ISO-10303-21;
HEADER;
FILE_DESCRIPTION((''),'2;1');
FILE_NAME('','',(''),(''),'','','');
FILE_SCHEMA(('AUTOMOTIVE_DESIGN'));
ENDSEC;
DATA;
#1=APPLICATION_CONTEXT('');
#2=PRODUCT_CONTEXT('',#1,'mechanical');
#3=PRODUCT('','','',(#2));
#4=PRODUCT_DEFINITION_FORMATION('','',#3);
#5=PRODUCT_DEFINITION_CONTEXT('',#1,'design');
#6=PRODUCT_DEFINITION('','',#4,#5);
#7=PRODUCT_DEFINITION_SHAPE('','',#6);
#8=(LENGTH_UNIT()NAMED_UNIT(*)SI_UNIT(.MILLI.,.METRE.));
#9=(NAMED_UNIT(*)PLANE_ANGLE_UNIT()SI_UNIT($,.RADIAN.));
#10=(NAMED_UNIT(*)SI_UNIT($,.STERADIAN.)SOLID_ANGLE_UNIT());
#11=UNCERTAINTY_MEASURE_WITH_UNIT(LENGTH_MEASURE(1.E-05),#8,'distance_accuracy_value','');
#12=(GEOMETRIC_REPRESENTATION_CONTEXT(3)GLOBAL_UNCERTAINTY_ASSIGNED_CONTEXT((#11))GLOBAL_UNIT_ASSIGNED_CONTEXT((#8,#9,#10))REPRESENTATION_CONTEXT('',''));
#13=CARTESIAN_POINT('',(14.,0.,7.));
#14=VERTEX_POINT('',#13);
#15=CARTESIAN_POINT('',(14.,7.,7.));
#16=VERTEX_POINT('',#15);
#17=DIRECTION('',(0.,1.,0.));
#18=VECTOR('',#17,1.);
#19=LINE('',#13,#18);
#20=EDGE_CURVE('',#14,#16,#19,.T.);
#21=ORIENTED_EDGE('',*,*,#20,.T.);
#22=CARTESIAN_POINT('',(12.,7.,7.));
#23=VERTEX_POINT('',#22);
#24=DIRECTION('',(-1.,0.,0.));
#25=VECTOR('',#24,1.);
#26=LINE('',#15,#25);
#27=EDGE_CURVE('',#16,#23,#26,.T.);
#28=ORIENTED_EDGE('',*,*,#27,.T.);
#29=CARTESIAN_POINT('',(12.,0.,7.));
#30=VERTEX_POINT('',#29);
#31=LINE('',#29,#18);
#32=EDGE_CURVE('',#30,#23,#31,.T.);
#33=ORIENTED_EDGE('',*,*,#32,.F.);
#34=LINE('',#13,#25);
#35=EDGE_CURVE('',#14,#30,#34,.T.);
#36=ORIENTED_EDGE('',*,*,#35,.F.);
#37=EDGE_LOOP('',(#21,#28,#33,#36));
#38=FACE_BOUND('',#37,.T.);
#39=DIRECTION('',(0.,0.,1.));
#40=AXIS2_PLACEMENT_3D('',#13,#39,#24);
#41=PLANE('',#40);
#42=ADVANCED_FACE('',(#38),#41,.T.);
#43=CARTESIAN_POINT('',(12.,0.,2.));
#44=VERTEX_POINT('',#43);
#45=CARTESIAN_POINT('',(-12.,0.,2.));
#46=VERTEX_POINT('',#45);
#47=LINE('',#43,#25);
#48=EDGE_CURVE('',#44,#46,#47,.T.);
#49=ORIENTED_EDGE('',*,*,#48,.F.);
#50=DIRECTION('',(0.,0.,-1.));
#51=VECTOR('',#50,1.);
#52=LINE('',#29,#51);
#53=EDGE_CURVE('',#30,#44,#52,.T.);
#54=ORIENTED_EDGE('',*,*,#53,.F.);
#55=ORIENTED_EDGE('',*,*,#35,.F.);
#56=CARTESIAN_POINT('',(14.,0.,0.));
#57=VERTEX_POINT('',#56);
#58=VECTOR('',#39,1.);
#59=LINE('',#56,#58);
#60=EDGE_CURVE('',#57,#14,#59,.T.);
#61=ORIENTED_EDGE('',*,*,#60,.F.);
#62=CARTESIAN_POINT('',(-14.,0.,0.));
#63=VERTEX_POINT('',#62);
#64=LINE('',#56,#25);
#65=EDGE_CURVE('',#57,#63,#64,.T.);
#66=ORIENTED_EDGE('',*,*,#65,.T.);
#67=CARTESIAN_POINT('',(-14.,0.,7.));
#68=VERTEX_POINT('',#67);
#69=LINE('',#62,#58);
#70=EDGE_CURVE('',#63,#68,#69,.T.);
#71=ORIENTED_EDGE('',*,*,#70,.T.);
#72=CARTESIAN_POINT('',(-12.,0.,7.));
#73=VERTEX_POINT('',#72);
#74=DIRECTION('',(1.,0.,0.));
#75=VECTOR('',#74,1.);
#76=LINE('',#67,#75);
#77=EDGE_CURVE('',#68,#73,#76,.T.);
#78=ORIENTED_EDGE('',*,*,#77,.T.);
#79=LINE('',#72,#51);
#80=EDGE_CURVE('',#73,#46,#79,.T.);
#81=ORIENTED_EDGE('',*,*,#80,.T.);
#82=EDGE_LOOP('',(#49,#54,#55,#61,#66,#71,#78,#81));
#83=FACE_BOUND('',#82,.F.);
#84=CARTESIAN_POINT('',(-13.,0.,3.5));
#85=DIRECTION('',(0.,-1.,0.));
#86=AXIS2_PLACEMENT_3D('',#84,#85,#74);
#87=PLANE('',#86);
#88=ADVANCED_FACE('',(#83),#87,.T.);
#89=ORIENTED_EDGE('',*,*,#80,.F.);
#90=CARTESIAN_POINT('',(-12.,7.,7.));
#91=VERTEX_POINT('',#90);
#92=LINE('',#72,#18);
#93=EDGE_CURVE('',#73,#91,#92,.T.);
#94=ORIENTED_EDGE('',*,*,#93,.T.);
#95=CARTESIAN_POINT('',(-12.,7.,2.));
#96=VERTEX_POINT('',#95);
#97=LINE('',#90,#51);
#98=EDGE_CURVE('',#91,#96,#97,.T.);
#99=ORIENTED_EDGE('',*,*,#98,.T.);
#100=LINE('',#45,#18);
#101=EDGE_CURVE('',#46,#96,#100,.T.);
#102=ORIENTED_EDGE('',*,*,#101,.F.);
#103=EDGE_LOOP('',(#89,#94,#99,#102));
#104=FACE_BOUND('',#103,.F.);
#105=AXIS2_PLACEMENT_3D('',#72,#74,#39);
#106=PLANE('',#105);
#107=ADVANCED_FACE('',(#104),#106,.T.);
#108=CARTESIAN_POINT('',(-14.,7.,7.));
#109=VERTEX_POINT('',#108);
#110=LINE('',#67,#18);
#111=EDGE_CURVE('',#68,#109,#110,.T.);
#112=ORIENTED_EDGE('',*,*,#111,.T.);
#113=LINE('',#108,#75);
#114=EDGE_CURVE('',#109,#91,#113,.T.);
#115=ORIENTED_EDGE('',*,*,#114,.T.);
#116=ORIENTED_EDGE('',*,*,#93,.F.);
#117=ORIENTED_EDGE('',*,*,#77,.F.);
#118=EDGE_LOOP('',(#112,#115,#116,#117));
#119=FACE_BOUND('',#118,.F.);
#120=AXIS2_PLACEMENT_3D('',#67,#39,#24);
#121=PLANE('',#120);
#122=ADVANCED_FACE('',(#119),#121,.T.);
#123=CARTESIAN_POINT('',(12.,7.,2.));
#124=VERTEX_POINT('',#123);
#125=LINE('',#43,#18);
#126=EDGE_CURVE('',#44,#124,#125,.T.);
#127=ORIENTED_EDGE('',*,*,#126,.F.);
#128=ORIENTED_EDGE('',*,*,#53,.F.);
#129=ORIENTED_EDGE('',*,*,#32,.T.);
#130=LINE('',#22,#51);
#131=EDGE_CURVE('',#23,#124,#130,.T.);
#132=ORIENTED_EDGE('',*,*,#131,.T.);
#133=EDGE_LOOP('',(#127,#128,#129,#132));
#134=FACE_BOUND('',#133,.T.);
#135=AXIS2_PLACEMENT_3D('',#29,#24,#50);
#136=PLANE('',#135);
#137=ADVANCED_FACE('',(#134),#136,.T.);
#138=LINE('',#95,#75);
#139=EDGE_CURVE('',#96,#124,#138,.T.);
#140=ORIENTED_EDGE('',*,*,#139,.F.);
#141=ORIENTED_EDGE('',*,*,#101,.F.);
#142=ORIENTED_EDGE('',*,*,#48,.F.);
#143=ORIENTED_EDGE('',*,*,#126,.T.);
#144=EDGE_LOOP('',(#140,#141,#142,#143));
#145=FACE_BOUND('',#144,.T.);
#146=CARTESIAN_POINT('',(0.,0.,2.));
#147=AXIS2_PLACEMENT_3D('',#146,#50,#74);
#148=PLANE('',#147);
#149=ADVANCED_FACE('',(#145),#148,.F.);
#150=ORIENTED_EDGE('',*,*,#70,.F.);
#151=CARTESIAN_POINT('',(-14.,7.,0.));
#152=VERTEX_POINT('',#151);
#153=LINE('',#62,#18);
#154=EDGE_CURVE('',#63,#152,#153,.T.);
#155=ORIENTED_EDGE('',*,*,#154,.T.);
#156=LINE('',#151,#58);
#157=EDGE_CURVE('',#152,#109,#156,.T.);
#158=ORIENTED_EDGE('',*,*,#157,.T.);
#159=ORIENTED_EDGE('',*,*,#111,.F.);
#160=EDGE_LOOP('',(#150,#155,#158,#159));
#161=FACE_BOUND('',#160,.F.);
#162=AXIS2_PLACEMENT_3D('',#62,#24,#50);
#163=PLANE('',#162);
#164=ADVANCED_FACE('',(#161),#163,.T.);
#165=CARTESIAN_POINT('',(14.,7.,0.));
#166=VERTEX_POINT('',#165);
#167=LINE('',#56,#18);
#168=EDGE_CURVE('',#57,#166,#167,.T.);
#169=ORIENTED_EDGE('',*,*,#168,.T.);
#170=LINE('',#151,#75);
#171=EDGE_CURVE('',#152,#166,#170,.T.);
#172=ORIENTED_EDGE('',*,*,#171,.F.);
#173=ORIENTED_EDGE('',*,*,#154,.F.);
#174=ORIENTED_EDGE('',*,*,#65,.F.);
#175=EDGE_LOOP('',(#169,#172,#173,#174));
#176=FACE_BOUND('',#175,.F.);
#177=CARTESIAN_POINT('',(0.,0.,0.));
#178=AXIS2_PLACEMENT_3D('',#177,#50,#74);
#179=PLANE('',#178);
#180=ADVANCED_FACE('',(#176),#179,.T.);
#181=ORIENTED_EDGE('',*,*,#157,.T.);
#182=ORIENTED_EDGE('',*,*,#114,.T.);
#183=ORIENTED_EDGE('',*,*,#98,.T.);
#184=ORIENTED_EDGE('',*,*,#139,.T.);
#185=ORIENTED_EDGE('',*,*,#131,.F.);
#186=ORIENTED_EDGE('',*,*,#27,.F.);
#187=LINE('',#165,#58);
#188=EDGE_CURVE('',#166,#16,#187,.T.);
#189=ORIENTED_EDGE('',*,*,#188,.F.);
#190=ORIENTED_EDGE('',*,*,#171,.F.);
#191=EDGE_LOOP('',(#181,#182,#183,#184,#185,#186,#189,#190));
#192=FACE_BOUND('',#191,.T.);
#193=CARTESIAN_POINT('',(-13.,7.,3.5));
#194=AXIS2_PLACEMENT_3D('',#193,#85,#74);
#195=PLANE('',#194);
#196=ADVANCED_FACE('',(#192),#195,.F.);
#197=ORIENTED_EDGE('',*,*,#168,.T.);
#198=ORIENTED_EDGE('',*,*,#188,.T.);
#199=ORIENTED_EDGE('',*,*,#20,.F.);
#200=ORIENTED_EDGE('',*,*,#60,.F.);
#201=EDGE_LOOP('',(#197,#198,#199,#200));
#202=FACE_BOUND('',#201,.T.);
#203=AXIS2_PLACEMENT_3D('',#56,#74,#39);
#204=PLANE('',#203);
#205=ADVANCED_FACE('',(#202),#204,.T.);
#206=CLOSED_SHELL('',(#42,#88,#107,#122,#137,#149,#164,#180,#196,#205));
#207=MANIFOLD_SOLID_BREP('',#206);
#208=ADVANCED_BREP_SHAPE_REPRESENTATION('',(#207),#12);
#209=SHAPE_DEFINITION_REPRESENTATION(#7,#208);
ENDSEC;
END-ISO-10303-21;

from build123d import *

# Parameters (mm, degrees)
F0_W     = 12
F0_H     = 2
F1_DEPTH = 7


with BuildPart() as f1:
    # F0 (on Front) → F1 (new body)
    with BuildSketch(Plane.XZ):
        Polygon((12, 2), (12, 0), (14, 0), (14, 7), (12, 7), align=None)
        with Locations((6, 1)):
            Rectangle(F0_W, F0_H)
    extrude(amount=-F1_DEPTH)

    # F2: F1 across plane


with BuildPart() as f1_1:
    add(f1.part)
    add(f1.part.mirror(Plane.YZ))


solid = f1_1.part
